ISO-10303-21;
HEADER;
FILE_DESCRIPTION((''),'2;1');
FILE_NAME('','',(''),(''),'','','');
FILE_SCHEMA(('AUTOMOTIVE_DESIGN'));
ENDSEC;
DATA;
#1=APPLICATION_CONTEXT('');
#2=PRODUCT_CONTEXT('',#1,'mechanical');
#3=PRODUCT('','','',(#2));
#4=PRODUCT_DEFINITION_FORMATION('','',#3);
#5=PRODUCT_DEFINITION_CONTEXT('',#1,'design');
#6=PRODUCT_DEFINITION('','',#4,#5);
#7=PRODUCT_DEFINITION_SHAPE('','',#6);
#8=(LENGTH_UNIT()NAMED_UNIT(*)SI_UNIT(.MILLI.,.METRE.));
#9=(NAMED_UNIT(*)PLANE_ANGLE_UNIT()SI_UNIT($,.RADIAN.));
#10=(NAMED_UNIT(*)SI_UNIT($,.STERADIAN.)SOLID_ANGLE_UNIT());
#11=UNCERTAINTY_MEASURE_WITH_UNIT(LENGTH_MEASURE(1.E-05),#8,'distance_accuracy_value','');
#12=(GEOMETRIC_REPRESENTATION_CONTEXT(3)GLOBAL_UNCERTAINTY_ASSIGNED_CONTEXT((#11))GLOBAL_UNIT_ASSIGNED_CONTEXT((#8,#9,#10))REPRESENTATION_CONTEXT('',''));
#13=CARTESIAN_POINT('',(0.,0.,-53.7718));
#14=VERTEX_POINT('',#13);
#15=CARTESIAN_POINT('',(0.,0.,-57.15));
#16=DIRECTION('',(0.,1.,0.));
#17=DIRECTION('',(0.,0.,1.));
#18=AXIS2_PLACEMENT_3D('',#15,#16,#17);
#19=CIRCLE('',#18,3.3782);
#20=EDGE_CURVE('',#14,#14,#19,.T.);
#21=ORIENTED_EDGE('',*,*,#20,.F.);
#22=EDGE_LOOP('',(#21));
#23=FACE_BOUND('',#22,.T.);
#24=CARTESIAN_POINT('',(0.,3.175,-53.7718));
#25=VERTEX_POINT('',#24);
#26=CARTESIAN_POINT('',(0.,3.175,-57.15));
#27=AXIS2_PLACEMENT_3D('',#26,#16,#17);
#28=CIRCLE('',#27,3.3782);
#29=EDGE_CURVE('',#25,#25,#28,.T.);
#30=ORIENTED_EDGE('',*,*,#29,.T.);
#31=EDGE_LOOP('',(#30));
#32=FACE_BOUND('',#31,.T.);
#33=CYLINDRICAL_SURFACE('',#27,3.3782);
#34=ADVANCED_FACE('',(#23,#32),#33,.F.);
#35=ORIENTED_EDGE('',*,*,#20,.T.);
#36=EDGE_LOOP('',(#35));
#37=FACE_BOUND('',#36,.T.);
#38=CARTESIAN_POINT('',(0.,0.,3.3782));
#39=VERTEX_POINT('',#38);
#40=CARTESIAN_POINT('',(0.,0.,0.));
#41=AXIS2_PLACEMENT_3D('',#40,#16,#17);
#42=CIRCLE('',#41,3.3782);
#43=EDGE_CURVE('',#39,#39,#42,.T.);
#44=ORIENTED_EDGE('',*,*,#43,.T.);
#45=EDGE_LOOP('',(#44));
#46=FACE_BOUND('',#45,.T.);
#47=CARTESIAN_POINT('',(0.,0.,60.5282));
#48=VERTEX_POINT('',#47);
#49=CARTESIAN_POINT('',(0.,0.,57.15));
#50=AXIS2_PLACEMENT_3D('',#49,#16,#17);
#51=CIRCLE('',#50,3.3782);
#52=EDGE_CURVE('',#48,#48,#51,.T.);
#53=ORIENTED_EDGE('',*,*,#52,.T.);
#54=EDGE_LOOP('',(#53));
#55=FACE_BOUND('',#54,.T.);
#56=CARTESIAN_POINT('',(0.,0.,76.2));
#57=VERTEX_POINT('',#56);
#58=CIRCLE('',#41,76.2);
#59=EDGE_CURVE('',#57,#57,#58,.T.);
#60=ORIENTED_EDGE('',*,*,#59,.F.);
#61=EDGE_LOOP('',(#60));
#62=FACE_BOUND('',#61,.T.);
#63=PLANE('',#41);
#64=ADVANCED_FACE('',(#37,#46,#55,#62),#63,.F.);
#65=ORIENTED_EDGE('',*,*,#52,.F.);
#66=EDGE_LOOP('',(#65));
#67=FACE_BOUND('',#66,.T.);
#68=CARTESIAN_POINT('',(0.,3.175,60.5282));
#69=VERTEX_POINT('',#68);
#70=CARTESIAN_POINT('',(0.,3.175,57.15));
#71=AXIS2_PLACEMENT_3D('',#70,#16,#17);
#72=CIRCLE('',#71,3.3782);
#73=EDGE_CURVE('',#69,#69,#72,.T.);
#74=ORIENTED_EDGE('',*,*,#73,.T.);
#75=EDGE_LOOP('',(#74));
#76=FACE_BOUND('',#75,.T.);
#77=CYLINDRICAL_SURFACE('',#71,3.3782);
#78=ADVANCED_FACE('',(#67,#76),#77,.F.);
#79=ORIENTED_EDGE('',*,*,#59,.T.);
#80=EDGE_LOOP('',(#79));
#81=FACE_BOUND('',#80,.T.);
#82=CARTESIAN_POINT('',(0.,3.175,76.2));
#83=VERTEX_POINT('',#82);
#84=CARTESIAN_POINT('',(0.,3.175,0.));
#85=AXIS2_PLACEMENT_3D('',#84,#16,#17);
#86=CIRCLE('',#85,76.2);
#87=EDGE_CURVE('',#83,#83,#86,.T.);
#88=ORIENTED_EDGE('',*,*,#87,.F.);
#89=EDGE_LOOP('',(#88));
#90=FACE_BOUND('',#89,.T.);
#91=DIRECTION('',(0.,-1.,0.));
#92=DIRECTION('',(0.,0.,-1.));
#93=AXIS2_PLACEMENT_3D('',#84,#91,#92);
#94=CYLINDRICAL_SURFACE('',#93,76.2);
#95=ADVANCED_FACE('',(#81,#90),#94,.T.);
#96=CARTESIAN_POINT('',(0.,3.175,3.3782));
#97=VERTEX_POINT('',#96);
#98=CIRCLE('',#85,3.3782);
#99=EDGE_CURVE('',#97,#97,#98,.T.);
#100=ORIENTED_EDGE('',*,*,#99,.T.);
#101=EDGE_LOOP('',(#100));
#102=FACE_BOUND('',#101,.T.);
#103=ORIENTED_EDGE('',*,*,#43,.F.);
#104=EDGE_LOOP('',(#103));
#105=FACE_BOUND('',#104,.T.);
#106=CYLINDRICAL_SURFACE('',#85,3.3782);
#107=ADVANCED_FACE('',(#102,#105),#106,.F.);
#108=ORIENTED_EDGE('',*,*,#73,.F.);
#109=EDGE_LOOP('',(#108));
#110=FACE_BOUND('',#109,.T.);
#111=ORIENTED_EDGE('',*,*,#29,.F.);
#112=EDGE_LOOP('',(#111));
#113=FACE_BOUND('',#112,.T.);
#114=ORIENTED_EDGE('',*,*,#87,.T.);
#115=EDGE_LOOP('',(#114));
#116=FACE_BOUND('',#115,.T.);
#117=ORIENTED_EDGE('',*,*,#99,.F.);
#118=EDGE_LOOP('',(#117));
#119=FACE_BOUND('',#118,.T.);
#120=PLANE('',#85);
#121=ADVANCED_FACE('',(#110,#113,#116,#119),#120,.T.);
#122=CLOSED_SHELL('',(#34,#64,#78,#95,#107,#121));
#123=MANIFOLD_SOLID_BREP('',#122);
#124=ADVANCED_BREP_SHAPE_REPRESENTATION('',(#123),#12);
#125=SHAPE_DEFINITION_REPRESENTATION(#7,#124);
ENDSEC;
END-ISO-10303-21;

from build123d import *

# Parameters (mm, degrees)
SKETCH2_R               = 76.2
BOSS_EXTRUDE1_DEPTH     = 3.175
F_1_4_CLEARANCE_HOLE1_D = 6.7564
F_1_4_CLEARANCE_HOLE2_D = 6.7564


with BuildPart() as part:
    # Sketch2 → Boss-Extrude1 (new body)
    with BuildSketch(Plane(origin=(0, 0, 0), x_dir=(1, 0, 0), z_dir=(0, 1, 0))):
        with Locations(Location((0, 0, 0), (0, 0, 270))):
            Circle(SKETCH2_R)
    extrude(amount=BOSS_EXTRUDE1_DEPTH)

    # 1/4 Clearance Hole1 (through all)
    with Locations(Plane(origin=(0, 3.175, 0), x_dir=(1, 0, 0), z_dir=(0, 1, 0))):
        with Locations((0, 57.15), (0, -57.15)):
            Hole(F_1_4_CLEARANCE_HOLE1_D / 2)

    # 1/4 Clearance Hole2 (through all)
    with Locations(Plane(origin=(0, 3.175, 0), x_dir=(1, 0, 0), z_dir=(0, 1, 0))):
        with Locations((0, 0)):
            Hole(F_1_4_CLEARANCE_HOLE2_D / 2)


solid = part.part
